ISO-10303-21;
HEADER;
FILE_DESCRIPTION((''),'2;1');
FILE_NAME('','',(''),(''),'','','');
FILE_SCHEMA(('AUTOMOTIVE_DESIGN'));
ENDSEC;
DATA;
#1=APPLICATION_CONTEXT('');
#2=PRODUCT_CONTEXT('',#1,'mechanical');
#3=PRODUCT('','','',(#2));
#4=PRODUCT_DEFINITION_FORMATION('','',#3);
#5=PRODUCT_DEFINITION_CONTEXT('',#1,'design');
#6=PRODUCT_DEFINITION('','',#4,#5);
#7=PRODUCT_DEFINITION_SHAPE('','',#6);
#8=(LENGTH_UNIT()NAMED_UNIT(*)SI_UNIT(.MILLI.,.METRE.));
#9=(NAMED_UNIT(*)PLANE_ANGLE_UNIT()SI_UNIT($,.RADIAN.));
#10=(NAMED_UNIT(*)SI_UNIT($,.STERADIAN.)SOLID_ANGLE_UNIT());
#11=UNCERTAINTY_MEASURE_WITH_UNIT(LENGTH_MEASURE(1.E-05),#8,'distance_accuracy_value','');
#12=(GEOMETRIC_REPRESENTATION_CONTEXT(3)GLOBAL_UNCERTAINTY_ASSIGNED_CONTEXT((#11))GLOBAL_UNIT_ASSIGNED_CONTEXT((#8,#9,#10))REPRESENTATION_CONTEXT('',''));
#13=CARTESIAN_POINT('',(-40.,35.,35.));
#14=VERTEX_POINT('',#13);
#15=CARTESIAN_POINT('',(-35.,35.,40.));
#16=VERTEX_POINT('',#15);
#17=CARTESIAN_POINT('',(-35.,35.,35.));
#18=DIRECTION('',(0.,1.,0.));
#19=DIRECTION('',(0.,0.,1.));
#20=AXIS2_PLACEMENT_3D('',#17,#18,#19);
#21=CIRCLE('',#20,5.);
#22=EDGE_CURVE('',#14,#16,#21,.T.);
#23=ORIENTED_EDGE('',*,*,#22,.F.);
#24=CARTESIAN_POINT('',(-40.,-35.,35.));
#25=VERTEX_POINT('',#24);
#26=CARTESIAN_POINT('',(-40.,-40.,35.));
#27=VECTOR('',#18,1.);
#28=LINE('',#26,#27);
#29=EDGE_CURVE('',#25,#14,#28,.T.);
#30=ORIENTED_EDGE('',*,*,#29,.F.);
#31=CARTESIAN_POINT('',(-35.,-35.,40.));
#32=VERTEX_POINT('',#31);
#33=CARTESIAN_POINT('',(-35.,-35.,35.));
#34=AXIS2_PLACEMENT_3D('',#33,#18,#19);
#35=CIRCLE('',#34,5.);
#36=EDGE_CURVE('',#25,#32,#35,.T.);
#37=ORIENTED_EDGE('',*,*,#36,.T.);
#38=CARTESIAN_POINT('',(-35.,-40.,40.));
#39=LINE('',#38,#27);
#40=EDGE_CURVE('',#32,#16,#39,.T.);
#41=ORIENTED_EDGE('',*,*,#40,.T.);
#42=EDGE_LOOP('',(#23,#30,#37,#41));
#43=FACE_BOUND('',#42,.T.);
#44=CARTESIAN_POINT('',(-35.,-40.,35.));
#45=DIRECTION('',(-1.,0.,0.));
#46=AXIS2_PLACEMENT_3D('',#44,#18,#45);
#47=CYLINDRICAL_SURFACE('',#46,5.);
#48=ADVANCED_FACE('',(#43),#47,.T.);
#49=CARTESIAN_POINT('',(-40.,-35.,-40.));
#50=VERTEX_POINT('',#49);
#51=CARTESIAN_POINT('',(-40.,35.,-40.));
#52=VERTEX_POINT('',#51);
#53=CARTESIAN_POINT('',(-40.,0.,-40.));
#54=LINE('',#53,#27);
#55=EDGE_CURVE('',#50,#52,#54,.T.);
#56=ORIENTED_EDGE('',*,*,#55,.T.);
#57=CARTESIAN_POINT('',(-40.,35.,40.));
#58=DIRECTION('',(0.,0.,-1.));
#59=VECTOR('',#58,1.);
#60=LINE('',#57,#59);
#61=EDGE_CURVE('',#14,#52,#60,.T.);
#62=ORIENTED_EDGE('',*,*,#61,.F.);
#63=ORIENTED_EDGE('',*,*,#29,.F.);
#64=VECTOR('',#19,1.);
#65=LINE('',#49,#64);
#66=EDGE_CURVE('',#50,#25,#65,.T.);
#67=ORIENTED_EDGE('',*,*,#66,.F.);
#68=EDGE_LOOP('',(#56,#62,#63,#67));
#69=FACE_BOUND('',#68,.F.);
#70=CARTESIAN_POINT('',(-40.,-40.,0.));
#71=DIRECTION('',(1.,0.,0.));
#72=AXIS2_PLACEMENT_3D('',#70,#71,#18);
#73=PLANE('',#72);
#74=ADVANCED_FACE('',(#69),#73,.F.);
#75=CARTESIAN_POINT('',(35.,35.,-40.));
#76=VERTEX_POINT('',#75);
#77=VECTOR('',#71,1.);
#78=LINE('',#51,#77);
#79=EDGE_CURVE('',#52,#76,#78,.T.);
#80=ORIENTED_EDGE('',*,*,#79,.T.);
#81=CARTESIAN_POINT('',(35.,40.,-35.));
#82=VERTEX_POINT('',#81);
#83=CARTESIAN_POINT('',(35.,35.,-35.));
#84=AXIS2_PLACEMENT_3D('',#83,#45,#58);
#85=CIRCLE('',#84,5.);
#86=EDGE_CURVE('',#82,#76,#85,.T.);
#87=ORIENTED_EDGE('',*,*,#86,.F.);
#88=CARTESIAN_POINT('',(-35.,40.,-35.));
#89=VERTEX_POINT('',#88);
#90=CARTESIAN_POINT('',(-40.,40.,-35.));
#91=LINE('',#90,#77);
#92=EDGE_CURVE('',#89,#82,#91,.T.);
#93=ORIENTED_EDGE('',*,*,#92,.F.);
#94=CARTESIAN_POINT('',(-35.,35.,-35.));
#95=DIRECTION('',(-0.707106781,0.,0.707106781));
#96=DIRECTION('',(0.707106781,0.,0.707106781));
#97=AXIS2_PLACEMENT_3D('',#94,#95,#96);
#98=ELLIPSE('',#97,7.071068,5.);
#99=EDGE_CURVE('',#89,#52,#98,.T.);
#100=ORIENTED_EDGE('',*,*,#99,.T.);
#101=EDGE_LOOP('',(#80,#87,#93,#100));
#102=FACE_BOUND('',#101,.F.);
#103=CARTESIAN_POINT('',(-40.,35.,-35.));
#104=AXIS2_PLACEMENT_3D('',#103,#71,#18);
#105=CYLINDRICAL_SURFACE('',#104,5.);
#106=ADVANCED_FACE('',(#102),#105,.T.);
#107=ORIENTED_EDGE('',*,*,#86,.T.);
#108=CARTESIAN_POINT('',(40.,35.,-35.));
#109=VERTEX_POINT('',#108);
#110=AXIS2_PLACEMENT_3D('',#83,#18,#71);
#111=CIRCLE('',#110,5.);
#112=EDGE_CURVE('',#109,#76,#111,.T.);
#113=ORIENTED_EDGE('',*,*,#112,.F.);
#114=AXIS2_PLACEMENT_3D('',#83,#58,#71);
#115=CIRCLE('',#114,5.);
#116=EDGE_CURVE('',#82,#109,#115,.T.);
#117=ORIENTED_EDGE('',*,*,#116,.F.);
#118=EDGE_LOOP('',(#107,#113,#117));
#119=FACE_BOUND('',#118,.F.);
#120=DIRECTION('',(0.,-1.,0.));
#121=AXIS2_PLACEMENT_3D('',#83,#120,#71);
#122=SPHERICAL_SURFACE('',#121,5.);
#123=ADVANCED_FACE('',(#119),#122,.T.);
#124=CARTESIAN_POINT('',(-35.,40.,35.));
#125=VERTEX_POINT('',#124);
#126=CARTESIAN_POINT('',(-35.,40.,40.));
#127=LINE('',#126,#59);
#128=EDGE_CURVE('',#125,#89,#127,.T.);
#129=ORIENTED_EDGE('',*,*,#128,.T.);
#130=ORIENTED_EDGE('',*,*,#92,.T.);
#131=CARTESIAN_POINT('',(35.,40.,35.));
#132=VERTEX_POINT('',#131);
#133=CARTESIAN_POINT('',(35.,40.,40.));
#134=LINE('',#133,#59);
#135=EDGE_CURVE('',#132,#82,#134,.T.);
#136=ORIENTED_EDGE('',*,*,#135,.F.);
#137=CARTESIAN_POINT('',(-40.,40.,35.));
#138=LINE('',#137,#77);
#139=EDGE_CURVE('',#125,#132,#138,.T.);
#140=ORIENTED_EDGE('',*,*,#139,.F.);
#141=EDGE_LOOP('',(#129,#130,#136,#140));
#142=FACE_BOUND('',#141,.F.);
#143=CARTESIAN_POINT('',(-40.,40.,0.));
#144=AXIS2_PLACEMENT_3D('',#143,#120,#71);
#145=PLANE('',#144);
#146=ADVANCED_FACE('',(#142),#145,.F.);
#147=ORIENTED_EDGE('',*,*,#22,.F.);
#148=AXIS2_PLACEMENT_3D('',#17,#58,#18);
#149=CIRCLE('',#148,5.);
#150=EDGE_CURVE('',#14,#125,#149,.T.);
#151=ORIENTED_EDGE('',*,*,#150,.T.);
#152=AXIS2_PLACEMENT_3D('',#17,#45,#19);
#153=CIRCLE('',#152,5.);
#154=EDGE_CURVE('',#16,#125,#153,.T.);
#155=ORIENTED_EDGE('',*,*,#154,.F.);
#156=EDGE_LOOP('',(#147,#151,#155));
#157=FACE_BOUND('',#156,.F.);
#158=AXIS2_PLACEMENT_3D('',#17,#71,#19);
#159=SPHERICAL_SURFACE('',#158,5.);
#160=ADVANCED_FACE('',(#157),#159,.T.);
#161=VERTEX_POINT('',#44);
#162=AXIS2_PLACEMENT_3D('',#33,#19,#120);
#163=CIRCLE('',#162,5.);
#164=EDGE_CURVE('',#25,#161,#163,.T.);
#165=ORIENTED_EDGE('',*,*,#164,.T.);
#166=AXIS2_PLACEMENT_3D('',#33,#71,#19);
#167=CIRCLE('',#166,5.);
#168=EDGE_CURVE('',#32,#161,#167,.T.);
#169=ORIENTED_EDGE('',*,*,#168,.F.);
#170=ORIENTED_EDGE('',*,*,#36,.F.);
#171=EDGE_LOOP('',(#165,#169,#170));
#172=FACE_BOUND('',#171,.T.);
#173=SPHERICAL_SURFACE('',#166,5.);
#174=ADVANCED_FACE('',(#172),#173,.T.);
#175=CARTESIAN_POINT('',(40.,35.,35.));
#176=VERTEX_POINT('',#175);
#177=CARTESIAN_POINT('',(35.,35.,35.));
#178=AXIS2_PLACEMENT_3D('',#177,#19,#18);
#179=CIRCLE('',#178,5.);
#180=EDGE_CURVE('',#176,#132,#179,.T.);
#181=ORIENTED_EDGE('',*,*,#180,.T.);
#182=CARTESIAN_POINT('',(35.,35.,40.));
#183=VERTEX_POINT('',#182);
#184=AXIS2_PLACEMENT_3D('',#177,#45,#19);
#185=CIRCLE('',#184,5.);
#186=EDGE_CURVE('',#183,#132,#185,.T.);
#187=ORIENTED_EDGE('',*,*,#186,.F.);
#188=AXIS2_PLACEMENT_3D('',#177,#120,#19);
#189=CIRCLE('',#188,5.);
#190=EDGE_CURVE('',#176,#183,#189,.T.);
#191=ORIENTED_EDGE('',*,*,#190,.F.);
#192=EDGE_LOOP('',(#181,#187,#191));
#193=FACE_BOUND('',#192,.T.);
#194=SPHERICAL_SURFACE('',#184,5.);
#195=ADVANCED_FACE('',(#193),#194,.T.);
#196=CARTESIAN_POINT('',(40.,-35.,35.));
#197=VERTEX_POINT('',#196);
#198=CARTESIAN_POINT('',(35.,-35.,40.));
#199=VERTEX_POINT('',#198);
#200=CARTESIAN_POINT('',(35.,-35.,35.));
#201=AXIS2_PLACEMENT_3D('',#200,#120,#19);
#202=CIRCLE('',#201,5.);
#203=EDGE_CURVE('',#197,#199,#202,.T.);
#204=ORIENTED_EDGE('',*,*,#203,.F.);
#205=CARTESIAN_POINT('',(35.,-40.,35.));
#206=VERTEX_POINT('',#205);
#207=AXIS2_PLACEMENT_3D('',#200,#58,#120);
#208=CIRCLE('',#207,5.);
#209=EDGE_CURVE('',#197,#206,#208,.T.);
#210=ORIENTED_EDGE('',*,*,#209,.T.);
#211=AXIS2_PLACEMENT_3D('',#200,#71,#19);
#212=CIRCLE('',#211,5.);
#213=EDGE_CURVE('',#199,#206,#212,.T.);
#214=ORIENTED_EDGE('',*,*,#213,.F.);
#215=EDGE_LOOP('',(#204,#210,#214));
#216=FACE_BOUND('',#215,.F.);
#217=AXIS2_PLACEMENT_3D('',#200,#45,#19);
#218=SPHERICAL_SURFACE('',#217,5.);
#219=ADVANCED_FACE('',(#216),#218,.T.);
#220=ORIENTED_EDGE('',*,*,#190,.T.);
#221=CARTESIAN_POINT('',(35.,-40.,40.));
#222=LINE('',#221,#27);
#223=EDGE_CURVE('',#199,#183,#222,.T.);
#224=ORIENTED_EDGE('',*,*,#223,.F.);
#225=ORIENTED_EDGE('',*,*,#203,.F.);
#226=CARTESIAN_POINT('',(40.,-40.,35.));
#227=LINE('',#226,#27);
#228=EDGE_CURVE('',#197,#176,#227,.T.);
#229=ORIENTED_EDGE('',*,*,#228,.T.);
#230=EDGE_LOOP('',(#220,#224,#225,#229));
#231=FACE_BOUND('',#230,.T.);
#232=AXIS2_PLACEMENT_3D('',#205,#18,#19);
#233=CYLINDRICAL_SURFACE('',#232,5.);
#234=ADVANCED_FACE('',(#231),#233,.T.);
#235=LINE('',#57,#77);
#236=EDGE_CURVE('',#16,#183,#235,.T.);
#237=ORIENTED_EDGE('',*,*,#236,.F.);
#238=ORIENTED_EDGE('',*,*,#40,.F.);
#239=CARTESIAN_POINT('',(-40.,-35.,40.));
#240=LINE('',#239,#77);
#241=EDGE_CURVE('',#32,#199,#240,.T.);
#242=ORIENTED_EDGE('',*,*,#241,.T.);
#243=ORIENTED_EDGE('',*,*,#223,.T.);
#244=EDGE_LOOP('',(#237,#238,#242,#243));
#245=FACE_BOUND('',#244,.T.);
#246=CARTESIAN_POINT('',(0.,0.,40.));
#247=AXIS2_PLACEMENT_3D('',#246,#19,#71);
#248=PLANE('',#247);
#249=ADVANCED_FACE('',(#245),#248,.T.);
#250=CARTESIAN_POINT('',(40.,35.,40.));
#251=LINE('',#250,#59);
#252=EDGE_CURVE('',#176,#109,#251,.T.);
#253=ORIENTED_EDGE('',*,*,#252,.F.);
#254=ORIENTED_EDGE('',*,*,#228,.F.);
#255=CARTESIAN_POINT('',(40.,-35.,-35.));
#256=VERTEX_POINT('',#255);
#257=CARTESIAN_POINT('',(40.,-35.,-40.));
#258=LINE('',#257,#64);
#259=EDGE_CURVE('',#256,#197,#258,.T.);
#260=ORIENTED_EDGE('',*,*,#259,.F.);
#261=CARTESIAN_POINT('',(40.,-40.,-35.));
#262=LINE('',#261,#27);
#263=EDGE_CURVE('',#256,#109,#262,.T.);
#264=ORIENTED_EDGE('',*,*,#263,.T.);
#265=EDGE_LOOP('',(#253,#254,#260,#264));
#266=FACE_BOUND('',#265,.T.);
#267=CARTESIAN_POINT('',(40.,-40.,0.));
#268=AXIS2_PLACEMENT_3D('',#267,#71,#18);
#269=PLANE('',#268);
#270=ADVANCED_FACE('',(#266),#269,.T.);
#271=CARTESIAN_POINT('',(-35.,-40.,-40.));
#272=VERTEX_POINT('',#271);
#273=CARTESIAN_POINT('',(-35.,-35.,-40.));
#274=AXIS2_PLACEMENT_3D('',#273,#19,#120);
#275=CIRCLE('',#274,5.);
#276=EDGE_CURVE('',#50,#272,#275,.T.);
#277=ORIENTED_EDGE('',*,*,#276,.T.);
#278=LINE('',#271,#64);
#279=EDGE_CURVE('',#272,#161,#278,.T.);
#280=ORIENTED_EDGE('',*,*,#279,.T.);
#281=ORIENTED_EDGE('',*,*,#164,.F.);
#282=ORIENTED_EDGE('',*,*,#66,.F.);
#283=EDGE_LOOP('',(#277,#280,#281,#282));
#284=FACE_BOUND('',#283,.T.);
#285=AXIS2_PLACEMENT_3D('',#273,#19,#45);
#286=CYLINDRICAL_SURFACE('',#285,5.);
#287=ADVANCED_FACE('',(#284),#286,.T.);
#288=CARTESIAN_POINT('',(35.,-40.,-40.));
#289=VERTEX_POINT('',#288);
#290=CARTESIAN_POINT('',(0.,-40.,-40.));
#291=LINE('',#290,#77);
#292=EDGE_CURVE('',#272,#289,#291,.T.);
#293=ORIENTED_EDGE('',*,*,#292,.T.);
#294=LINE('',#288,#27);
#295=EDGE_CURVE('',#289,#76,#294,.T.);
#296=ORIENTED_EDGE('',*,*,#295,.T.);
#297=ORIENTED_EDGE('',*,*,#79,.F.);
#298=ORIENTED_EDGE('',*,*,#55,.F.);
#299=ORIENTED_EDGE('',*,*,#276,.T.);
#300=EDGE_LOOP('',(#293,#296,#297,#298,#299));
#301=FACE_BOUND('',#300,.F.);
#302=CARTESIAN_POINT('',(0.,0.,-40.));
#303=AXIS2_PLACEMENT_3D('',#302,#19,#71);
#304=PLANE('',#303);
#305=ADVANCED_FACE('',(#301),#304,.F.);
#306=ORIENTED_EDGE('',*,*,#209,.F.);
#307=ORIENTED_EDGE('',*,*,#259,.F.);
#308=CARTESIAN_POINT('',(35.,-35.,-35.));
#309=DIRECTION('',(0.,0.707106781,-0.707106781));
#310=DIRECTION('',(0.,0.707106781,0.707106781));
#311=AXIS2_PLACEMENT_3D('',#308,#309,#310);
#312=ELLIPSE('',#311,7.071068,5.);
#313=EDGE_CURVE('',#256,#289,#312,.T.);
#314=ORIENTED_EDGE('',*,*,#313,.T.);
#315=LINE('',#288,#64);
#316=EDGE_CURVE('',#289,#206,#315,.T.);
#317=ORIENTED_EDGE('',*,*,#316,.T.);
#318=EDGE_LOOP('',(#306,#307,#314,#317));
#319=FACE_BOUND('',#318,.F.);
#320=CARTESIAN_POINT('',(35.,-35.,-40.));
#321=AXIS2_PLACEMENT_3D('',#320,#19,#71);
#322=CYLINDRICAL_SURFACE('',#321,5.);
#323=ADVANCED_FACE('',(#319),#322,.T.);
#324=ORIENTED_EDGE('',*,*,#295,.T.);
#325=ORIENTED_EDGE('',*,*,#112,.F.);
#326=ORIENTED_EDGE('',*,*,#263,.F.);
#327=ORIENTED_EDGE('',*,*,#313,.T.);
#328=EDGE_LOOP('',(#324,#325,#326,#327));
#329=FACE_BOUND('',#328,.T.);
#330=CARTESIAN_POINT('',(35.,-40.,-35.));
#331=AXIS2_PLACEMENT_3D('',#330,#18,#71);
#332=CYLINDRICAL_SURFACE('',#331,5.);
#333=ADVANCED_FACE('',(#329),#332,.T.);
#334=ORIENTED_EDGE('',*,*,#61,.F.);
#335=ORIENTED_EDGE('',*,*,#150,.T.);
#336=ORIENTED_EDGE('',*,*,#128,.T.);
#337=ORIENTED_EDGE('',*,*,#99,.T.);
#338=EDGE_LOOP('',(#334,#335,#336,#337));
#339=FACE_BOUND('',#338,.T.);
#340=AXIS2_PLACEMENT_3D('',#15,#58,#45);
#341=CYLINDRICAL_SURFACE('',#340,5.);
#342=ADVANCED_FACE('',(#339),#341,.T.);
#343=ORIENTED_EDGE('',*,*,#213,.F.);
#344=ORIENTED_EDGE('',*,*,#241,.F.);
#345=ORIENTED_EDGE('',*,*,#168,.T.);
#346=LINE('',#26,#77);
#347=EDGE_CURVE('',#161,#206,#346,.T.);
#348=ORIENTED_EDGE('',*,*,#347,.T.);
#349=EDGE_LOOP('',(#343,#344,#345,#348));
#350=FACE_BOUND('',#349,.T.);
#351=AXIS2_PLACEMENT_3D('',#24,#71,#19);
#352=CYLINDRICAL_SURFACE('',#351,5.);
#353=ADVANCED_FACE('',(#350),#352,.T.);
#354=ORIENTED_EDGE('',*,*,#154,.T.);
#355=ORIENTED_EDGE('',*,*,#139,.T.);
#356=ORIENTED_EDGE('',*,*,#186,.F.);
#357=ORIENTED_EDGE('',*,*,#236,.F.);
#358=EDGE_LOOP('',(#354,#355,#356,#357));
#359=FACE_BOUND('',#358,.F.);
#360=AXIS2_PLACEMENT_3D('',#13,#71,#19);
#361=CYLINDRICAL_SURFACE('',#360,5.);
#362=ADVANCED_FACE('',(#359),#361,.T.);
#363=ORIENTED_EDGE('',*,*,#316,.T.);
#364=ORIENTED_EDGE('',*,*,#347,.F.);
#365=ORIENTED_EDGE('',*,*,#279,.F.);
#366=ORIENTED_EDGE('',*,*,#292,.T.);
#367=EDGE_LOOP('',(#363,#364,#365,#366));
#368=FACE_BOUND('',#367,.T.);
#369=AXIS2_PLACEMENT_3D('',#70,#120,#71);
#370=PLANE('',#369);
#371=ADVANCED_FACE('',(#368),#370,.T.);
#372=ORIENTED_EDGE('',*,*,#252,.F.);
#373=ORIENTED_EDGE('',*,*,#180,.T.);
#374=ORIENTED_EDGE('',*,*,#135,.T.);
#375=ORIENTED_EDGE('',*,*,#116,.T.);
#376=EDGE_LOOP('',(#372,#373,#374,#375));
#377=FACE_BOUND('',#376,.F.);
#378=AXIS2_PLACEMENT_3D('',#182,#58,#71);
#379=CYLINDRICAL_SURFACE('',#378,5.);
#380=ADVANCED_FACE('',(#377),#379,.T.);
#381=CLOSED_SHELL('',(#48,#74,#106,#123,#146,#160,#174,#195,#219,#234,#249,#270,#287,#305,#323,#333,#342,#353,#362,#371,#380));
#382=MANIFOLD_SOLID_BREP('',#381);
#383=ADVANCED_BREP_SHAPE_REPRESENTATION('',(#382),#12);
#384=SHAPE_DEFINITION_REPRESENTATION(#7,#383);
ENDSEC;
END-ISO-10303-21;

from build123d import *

# Parameters (mm, degrees)
F0_W     = 80
F0_H     = 80
F1_DEPTH = 40
F2_R     = 5


with BuildPart() as f1:
    # F0 (on Top) → F1 (new body, symmetric)
    with BuildSketch(Plane.XY):
        Rectangle(F0_W, F0_H)
    extrude(amount=F1_DEPTH, both=True)

    # F2
    f2_edges = [f1.edges().sort_by_distance(p)[0] for p in [
        (0, -40, 40),
        (0, 40, 40),
        (-40, 0, 40),
        (40, 0, 40),
        (40, 0, -40),
        (40, 40, 0),
        (40, -40, 0),
        (0, 40, -40),
        (-40, 40, 0),
        (-40, -40, 0),
    ]]
    fillet(f2_edges, radius=F2_R)


solid = f1.part
